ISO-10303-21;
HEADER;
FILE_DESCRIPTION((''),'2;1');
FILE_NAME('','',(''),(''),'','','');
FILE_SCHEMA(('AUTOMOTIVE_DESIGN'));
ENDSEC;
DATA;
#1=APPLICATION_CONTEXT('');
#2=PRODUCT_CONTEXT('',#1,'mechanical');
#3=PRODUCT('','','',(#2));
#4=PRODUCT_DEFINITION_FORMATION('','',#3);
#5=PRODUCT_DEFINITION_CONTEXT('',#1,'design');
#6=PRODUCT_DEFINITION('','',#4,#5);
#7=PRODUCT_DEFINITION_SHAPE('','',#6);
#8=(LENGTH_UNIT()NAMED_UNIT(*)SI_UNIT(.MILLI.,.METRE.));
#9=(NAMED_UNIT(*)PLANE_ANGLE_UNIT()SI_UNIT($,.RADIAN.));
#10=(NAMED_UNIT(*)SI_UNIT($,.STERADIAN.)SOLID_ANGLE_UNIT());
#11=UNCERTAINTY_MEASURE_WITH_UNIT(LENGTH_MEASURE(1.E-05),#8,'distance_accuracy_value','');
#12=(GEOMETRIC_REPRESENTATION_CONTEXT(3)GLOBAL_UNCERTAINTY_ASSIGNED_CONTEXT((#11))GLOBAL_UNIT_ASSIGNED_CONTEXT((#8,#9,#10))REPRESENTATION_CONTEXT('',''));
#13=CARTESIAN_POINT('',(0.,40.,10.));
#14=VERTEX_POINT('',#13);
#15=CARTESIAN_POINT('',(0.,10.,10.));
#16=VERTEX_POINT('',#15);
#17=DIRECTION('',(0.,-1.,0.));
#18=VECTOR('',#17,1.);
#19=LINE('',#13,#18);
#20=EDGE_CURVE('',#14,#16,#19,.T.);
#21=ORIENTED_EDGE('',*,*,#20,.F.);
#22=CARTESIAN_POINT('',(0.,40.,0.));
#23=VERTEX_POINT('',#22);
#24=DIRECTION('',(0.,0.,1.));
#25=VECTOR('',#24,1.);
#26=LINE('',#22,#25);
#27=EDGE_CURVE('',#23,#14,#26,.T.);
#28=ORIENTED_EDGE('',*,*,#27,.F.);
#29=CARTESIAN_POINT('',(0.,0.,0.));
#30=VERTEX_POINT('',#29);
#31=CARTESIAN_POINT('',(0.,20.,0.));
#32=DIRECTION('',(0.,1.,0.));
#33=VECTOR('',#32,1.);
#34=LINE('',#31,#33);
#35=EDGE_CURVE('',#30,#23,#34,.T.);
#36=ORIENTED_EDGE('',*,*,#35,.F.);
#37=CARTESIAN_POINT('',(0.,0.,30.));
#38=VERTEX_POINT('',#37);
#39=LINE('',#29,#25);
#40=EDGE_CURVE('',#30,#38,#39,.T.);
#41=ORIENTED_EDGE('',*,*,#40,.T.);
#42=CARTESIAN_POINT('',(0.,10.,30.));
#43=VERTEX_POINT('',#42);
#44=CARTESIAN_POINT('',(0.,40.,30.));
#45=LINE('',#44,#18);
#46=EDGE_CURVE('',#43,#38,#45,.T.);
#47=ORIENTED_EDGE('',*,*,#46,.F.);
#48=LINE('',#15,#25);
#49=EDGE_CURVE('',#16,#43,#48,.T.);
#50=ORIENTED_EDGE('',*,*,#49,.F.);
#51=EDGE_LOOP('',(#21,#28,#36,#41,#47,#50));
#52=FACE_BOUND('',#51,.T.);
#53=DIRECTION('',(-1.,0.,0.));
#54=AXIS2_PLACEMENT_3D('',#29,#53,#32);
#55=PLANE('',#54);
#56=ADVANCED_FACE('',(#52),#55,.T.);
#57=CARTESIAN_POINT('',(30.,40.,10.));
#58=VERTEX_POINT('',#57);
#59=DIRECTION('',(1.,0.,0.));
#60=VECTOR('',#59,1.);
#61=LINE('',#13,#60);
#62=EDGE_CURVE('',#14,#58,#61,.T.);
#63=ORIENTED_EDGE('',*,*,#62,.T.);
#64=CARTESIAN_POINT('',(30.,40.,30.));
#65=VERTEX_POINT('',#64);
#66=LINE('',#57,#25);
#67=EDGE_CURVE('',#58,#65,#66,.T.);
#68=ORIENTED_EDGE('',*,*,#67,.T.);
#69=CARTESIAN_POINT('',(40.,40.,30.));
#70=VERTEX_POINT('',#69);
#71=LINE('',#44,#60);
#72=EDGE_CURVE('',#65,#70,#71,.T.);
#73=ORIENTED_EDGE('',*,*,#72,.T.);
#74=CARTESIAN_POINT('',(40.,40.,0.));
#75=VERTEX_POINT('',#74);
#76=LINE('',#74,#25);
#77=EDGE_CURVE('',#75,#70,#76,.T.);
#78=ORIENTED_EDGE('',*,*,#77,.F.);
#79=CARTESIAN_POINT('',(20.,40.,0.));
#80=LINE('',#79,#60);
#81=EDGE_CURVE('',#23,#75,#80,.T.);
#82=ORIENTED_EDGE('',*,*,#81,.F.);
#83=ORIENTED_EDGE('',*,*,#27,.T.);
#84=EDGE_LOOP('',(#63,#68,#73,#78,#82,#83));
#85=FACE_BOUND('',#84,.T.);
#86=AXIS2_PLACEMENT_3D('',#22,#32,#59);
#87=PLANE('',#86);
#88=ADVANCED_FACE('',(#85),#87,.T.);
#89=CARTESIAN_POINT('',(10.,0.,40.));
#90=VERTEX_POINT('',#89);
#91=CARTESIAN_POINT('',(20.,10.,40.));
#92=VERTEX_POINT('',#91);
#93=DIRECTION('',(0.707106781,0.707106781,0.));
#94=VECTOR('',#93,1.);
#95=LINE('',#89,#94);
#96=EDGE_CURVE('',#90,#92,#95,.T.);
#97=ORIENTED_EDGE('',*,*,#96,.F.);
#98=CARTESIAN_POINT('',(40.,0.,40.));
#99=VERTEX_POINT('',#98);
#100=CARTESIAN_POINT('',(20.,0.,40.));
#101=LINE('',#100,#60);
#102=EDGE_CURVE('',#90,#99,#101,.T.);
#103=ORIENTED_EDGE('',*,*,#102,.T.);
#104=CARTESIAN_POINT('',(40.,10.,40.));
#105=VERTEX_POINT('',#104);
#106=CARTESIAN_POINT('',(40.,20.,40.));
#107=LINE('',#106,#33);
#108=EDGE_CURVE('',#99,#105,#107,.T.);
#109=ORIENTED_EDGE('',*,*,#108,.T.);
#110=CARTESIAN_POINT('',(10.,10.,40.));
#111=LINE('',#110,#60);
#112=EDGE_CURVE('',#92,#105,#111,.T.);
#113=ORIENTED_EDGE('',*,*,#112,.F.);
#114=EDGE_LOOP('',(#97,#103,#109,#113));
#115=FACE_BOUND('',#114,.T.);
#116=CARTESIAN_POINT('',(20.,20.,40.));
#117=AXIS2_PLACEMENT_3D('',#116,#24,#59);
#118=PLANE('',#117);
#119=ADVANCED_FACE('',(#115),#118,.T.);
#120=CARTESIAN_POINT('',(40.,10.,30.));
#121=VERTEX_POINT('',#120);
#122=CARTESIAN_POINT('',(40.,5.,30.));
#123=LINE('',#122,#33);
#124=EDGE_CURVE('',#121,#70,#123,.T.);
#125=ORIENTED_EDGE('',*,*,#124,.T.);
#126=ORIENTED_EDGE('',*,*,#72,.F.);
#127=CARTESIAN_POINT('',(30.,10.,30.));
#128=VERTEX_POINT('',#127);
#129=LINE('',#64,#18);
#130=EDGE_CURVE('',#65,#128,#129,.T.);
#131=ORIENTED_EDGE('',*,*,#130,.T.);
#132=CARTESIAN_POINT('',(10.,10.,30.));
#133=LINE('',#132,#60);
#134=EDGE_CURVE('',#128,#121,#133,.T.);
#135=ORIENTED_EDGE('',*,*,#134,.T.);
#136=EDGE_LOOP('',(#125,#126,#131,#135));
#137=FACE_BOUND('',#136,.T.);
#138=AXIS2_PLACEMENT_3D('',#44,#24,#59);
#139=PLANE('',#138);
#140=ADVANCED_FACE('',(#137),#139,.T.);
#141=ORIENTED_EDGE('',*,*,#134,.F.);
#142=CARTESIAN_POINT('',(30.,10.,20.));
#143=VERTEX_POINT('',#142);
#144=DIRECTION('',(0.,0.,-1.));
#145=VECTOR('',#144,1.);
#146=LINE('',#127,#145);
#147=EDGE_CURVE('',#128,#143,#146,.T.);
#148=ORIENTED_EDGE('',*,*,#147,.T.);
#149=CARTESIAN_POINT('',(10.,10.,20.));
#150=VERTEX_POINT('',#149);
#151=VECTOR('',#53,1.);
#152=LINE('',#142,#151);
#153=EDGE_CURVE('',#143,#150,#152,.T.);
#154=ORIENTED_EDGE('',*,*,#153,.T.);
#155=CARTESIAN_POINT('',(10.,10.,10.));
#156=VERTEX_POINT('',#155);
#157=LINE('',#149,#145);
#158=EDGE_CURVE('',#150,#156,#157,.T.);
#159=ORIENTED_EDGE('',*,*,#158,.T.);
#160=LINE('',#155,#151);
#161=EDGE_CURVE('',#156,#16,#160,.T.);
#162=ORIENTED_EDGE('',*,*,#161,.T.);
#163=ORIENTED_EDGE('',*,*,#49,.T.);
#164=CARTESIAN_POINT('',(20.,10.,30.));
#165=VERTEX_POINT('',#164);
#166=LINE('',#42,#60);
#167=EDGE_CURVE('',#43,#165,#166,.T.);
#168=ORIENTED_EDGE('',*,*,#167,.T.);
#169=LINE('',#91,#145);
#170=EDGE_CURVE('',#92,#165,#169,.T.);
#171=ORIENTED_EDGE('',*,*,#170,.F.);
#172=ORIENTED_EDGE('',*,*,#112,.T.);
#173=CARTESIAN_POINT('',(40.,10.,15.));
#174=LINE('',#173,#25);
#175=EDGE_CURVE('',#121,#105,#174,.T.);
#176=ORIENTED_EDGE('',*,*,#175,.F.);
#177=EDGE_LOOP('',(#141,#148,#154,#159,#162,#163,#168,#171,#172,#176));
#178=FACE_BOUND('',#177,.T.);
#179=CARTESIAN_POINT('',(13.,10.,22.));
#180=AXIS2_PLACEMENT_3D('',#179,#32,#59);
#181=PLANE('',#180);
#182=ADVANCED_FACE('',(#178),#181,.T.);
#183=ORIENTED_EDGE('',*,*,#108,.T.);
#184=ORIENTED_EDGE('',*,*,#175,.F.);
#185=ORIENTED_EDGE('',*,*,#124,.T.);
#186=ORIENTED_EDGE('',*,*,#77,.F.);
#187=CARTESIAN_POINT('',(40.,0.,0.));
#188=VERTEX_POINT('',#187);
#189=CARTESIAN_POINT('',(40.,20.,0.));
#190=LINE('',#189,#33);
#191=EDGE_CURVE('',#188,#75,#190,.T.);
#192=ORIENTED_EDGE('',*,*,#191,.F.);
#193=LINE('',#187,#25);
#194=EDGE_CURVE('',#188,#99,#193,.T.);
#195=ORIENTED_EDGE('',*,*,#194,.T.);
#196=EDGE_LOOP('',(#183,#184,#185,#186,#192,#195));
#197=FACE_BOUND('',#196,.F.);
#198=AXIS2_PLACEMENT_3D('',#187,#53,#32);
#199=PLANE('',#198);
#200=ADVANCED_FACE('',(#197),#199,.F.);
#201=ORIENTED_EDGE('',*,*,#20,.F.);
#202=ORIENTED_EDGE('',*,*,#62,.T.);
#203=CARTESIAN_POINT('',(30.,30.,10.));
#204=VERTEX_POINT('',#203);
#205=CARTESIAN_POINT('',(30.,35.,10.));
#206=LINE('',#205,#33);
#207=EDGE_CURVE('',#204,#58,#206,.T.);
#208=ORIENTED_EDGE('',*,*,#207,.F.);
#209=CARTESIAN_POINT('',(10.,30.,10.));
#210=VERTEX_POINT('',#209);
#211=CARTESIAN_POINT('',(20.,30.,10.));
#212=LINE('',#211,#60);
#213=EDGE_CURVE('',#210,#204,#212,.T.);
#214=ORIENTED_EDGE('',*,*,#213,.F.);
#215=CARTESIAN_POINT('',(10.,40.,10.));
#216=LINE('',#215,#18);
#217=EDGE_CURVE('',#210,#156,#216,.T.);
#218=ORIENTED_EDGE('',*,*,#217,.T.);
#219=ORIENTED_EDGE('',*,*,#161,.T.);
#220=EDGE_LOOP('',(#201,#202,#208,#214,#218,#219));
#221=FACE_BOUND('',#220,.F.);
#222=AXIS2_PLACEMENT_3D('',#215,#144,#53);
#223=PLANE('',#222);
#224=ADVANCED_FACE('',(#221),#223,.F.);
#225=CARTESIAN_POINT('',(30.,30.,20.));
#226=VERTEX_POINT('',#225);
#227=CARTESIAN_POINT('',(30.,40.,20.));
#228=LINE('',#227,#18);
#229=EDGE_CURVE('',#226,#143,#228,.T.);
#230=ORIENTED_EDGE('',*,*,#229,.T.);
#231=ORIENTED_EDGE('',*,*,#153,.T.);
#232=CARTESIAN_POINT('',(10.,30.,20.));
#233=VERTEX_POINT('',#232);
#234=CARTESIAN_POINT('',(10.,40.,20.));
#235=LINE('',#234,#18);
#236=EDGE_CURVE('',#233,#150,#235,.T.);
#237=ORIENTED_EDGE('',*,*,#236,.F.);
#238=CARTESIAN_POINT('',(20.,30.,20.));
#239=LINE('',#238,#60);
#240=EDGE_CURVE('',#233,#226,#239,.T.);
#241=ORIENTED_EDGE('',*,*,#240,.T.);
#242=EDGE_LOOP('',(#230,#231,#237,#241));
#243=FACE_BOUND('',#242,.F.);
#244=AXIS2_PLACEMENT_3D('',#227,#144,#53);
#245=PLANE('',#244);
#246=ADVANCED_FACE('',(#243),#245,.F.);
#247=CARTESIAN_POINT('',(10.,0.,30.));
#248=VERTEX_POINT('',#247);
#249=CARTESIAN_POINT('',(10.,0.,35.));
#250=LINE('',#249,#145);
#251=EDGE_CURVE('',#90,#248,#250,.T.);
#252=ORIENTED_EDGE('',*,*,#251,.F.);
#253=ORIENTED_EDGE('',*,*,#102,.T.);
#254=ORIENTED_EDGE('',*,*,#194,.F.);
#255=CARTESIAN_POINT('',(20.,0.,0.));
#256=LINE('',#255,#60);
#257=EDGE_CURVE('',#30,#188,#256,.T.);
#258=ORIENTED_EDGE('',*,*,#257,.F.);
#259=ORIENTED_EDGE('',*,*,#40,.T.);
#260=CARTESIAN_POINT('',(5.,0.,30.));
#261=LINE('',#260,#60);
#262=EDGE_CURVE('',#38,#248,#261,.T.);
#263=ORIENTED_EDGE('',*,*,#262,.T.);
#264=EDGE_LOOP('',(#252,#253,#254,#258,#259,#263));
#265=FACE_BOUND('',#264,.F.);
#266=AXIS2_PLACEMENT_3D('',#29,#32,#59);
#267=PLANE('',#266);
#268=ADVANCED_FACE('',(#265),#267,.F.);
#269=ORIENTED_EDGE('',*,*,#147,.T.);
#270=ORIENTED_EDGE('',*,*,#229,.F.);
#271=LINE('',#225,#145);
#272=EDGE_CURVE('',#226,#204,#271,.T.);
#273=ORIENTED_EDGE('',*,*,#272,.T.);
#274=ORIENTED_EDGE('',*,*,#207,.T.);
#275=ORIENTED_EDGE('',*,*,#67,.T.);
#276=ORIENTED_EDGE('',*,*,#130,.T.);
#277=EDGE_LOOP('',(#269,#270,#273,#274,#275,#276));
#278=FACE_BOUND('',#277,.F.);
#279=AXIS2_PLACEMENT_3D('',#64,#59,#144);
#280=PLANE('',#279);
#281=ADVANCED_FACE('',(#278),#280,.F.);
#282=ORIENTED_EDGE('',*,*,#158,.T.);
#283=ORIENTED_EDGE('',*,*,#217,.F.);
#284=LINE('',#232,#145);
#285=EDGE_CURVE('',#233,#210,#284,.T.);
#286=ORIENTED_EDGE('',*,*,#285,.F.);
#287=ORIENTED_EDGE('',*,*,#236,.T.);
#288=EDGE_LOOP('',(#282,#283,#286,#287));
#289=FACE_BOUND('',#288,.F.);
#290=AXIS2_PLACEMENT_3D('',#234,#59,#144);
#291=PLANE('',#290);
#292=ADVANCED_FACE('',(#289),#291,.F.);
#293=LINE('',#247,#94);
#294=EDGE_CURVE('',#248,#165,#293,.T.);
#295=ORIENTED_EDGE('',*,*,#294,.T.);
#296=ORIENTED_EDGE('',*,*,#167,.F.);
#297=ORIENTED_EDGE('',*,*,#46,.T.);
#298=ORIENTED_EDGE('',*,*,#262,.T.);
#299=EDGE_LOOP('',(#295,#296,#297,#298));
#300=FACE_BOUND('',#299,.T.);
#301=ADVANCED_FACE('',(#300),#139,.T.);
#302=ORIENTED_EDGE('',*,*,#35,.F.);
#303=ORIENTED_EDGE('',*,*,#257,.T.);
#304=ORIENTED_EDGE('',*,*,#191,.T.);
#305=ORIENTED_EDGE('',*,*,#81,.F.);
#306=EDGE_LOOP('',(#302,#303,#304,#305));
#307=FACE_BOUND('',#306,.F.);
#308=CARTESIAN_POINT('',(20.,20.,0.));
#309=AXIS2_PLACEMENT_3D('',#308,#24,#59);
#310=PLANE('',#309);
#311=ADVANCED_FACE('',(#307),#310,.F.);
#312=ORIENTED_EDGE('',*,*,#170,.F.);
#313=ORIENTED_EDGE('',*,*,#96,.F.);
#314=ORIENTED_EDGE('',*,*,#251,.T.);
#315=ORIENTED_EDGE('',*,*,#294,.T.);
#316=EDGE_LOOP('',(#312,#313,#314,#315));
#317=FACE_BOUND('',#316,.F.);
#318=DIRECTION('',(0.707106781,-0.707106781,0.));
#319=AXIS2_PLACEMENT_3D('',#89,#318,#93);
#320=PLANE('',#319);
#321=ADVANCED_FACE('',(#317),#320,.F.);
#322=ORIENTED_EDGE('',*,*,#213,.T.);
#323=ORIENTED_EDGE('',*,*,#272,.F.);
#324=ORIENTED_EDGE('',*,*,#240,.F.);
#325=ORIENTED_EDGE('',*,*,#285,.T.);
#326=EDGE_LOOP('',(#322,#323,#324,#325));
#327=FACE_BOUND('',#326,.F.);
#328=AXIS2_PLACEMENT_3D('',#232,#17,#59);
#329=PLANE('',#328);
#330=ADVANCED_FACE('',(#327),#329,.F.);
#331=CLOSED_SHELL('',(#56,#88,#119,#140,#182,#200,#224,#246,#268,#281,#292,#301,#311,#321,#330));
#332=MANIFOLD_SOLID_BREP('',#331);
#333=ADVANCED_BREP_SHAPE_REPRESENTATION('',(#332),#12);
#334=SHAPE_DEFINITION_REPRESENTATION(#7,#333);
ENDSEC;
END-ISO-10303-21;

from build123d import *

# Parameters (mm, degrees)
SKETCH1_W           = 40
SKETCH1_H           = 40
BOSS_EXTRUDE1_DEPTH = 40
SKETCH2_W           = 10
SKETCH2_H           = 10
CUT_EXTRUDE1_DEPTH  = 40
SKETCH4_W           = 10
SKETCH4_H           = 30
CUT_EXTRUDE3_DEPTH  = 40
CUT_EXTRUDE4_DEPTH  = 10
CUT_EXTRUDE5_DEPTH  = 30
SKETCH7_W           = 20
SKETCH7_H           = 10
CUT_EXTRUDE6_DEPTH  = 10


with BuildPart() as part:
    # Sketch1 → Boss-Extrude1 (new body)
    with BuildSketch(Plane.XY):
        with Locations((20, 20)):
            Rectangle(SKETCH1_W, SKETCH1_H)
    extrude(amount=BOSS_EXTRUDE1_DEPTH)

    # Sketch2 → Cut-Extrude1 (cut)
    with BuildSketch(Plane(origin=(0, 40, 0), x_dir=(1, 0, 0), z_dir=(0, 1, 0))):
        with Locations((5, -35)):
            Rectangle(SKETCH2_W, SKETCH2_H)
    extrude(amount=-CUT_EXTRUDE1_DEPTH, mode=Mode.SUBTRACT)

    # Sketch4 → Cut-Extrude3 (cut)
    with BuildSketch(Plane.ZY.offset(-10)):
        with Locations((35, 25)):
            Rectangle(SKETCH4_W, SKETCH4_H)
    extrude(amount=-CUT_EXTRUDE3_DEPTH, mode=Mode.SUBTRACT)

    # Sketch5 → Cut-Extrude4 (cut)
    with BuildSketch(Plane.XY.offset(40)):
        Polygon((10, 0), (20, 10), (10, 10), align=None)
    extrude(amount=-CUT_EXTRUDE4_DEPTH, mode=Mode.SUBTRACT)

    # Sketch6 → Cut-Extrude5 (cut)
    with BuildSketch(Plane(origin=(0, 40, 0), x_dir=(1, 0, 0), z_dir=(0, 1, 0))):
        Polygon((0, -30), (20, -30), (30, -30), (30, -20), (10, -20), (10, -10), (0, -10), align=None)
    extrude(amount=-CUT_EXTRUDE5_DEPTH, mode=Mode.SUBTRACT)

    # Sketch7 → Cut-Extrude6 (cut)
    with BuildSketch(Plane.XY.offset(20)):
        with Locations((20, 35)):
            Rectangle(SKETCH7_W, SKETCH7_H)
    extrude(amount=-CUT_EXTRUDE6_DEPTH, mode=Mode.SUBTRACT)


solid = part.part
